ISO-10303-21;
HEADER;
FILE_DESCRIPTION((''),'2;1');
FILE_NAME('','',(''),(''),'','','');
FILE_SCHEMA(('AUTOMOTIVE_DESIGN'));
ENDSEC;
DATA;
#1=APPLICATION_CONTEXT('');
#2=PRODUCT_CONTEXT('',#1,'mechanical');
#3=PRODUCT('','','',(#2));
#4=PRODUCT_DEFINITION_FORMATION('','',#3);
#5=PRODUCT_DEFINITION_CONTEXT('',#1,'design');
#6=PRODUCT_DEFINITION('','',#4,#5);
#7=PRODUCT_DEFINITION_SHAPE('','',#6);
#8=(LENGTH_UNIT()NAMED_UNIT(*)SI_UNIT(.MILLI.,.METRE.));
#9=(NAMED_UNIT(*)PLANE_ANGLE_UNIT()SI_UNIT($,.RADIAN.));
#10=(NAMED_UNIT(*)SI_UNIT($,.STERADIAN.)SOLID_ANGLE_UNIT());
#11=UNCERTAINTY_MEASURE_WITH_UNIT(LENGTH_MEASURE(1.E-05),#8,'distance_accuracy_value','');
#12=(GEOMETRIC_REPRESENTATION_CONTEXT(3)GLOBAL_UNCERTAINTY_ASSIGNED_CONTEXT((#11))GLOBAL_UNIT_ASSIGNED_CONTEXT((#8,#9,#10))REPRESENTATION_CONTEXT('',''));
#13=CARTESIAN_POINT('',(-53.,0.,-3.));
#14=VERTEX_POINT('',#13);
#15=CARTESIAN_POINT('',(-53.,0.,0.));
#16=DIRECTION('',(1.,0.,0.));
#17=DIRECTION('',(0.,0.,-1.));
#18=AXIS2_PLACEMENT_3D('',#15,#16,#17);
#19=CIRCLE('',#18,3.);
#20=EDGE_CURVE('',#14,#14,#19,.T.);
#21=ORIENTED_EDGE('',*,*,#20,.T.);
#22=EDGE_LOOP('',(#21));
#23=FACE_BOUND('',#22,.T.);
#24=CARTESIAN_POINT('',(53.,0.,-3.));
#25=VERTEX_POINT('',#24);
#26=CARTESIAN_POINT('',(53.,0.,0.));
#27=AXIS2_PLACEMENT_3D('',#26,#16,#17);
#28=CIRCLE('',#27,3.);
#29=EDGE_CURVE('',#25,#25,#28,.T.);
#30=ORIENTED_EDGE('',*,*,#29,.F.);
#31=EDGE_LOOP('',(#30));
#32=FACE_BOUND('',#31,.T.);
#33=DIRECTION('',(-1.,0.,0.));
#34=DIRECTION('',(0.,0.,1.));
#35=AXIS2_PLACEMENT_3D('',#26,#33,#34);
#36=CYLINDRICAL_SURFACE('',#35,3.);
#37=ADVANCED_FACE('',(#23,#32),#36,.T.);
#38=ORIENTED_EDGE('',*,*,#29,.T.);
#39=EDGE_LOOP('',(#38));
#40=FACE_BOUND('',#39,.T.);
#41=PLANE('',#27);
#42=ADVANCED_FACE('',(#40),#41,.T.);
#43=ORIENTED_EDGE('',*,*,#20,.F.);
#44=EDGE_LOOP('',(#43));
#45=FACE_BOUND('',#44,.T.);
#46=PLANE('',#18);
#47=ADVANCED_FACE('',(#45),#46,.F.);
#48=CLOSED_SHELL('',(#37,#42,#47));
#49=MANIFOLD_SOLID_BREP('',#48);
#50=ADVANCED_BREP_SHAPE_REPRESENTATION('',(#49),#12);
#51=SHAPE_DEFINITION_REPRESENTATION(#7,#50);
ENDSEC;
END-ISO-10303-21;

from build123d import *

# Parameters (mm, degrees)
SKETCH_1_R      = 3
EXTRUDE_1_DEPTH = 53


with BuildPart() as part:
    # Эскиз1 → Бобышка-Вытянуть1 (new, symmetric)
    with BuildSketch(Plane(origin=(0, 0, 0), x_dir=(0, 0, -1), z_dir=(1, 0, 0))):
        Circle(SKETCH_1_R)
    extrude(amount=EXTRUDE_1_DEPTH, both=True)


solid = part.part
